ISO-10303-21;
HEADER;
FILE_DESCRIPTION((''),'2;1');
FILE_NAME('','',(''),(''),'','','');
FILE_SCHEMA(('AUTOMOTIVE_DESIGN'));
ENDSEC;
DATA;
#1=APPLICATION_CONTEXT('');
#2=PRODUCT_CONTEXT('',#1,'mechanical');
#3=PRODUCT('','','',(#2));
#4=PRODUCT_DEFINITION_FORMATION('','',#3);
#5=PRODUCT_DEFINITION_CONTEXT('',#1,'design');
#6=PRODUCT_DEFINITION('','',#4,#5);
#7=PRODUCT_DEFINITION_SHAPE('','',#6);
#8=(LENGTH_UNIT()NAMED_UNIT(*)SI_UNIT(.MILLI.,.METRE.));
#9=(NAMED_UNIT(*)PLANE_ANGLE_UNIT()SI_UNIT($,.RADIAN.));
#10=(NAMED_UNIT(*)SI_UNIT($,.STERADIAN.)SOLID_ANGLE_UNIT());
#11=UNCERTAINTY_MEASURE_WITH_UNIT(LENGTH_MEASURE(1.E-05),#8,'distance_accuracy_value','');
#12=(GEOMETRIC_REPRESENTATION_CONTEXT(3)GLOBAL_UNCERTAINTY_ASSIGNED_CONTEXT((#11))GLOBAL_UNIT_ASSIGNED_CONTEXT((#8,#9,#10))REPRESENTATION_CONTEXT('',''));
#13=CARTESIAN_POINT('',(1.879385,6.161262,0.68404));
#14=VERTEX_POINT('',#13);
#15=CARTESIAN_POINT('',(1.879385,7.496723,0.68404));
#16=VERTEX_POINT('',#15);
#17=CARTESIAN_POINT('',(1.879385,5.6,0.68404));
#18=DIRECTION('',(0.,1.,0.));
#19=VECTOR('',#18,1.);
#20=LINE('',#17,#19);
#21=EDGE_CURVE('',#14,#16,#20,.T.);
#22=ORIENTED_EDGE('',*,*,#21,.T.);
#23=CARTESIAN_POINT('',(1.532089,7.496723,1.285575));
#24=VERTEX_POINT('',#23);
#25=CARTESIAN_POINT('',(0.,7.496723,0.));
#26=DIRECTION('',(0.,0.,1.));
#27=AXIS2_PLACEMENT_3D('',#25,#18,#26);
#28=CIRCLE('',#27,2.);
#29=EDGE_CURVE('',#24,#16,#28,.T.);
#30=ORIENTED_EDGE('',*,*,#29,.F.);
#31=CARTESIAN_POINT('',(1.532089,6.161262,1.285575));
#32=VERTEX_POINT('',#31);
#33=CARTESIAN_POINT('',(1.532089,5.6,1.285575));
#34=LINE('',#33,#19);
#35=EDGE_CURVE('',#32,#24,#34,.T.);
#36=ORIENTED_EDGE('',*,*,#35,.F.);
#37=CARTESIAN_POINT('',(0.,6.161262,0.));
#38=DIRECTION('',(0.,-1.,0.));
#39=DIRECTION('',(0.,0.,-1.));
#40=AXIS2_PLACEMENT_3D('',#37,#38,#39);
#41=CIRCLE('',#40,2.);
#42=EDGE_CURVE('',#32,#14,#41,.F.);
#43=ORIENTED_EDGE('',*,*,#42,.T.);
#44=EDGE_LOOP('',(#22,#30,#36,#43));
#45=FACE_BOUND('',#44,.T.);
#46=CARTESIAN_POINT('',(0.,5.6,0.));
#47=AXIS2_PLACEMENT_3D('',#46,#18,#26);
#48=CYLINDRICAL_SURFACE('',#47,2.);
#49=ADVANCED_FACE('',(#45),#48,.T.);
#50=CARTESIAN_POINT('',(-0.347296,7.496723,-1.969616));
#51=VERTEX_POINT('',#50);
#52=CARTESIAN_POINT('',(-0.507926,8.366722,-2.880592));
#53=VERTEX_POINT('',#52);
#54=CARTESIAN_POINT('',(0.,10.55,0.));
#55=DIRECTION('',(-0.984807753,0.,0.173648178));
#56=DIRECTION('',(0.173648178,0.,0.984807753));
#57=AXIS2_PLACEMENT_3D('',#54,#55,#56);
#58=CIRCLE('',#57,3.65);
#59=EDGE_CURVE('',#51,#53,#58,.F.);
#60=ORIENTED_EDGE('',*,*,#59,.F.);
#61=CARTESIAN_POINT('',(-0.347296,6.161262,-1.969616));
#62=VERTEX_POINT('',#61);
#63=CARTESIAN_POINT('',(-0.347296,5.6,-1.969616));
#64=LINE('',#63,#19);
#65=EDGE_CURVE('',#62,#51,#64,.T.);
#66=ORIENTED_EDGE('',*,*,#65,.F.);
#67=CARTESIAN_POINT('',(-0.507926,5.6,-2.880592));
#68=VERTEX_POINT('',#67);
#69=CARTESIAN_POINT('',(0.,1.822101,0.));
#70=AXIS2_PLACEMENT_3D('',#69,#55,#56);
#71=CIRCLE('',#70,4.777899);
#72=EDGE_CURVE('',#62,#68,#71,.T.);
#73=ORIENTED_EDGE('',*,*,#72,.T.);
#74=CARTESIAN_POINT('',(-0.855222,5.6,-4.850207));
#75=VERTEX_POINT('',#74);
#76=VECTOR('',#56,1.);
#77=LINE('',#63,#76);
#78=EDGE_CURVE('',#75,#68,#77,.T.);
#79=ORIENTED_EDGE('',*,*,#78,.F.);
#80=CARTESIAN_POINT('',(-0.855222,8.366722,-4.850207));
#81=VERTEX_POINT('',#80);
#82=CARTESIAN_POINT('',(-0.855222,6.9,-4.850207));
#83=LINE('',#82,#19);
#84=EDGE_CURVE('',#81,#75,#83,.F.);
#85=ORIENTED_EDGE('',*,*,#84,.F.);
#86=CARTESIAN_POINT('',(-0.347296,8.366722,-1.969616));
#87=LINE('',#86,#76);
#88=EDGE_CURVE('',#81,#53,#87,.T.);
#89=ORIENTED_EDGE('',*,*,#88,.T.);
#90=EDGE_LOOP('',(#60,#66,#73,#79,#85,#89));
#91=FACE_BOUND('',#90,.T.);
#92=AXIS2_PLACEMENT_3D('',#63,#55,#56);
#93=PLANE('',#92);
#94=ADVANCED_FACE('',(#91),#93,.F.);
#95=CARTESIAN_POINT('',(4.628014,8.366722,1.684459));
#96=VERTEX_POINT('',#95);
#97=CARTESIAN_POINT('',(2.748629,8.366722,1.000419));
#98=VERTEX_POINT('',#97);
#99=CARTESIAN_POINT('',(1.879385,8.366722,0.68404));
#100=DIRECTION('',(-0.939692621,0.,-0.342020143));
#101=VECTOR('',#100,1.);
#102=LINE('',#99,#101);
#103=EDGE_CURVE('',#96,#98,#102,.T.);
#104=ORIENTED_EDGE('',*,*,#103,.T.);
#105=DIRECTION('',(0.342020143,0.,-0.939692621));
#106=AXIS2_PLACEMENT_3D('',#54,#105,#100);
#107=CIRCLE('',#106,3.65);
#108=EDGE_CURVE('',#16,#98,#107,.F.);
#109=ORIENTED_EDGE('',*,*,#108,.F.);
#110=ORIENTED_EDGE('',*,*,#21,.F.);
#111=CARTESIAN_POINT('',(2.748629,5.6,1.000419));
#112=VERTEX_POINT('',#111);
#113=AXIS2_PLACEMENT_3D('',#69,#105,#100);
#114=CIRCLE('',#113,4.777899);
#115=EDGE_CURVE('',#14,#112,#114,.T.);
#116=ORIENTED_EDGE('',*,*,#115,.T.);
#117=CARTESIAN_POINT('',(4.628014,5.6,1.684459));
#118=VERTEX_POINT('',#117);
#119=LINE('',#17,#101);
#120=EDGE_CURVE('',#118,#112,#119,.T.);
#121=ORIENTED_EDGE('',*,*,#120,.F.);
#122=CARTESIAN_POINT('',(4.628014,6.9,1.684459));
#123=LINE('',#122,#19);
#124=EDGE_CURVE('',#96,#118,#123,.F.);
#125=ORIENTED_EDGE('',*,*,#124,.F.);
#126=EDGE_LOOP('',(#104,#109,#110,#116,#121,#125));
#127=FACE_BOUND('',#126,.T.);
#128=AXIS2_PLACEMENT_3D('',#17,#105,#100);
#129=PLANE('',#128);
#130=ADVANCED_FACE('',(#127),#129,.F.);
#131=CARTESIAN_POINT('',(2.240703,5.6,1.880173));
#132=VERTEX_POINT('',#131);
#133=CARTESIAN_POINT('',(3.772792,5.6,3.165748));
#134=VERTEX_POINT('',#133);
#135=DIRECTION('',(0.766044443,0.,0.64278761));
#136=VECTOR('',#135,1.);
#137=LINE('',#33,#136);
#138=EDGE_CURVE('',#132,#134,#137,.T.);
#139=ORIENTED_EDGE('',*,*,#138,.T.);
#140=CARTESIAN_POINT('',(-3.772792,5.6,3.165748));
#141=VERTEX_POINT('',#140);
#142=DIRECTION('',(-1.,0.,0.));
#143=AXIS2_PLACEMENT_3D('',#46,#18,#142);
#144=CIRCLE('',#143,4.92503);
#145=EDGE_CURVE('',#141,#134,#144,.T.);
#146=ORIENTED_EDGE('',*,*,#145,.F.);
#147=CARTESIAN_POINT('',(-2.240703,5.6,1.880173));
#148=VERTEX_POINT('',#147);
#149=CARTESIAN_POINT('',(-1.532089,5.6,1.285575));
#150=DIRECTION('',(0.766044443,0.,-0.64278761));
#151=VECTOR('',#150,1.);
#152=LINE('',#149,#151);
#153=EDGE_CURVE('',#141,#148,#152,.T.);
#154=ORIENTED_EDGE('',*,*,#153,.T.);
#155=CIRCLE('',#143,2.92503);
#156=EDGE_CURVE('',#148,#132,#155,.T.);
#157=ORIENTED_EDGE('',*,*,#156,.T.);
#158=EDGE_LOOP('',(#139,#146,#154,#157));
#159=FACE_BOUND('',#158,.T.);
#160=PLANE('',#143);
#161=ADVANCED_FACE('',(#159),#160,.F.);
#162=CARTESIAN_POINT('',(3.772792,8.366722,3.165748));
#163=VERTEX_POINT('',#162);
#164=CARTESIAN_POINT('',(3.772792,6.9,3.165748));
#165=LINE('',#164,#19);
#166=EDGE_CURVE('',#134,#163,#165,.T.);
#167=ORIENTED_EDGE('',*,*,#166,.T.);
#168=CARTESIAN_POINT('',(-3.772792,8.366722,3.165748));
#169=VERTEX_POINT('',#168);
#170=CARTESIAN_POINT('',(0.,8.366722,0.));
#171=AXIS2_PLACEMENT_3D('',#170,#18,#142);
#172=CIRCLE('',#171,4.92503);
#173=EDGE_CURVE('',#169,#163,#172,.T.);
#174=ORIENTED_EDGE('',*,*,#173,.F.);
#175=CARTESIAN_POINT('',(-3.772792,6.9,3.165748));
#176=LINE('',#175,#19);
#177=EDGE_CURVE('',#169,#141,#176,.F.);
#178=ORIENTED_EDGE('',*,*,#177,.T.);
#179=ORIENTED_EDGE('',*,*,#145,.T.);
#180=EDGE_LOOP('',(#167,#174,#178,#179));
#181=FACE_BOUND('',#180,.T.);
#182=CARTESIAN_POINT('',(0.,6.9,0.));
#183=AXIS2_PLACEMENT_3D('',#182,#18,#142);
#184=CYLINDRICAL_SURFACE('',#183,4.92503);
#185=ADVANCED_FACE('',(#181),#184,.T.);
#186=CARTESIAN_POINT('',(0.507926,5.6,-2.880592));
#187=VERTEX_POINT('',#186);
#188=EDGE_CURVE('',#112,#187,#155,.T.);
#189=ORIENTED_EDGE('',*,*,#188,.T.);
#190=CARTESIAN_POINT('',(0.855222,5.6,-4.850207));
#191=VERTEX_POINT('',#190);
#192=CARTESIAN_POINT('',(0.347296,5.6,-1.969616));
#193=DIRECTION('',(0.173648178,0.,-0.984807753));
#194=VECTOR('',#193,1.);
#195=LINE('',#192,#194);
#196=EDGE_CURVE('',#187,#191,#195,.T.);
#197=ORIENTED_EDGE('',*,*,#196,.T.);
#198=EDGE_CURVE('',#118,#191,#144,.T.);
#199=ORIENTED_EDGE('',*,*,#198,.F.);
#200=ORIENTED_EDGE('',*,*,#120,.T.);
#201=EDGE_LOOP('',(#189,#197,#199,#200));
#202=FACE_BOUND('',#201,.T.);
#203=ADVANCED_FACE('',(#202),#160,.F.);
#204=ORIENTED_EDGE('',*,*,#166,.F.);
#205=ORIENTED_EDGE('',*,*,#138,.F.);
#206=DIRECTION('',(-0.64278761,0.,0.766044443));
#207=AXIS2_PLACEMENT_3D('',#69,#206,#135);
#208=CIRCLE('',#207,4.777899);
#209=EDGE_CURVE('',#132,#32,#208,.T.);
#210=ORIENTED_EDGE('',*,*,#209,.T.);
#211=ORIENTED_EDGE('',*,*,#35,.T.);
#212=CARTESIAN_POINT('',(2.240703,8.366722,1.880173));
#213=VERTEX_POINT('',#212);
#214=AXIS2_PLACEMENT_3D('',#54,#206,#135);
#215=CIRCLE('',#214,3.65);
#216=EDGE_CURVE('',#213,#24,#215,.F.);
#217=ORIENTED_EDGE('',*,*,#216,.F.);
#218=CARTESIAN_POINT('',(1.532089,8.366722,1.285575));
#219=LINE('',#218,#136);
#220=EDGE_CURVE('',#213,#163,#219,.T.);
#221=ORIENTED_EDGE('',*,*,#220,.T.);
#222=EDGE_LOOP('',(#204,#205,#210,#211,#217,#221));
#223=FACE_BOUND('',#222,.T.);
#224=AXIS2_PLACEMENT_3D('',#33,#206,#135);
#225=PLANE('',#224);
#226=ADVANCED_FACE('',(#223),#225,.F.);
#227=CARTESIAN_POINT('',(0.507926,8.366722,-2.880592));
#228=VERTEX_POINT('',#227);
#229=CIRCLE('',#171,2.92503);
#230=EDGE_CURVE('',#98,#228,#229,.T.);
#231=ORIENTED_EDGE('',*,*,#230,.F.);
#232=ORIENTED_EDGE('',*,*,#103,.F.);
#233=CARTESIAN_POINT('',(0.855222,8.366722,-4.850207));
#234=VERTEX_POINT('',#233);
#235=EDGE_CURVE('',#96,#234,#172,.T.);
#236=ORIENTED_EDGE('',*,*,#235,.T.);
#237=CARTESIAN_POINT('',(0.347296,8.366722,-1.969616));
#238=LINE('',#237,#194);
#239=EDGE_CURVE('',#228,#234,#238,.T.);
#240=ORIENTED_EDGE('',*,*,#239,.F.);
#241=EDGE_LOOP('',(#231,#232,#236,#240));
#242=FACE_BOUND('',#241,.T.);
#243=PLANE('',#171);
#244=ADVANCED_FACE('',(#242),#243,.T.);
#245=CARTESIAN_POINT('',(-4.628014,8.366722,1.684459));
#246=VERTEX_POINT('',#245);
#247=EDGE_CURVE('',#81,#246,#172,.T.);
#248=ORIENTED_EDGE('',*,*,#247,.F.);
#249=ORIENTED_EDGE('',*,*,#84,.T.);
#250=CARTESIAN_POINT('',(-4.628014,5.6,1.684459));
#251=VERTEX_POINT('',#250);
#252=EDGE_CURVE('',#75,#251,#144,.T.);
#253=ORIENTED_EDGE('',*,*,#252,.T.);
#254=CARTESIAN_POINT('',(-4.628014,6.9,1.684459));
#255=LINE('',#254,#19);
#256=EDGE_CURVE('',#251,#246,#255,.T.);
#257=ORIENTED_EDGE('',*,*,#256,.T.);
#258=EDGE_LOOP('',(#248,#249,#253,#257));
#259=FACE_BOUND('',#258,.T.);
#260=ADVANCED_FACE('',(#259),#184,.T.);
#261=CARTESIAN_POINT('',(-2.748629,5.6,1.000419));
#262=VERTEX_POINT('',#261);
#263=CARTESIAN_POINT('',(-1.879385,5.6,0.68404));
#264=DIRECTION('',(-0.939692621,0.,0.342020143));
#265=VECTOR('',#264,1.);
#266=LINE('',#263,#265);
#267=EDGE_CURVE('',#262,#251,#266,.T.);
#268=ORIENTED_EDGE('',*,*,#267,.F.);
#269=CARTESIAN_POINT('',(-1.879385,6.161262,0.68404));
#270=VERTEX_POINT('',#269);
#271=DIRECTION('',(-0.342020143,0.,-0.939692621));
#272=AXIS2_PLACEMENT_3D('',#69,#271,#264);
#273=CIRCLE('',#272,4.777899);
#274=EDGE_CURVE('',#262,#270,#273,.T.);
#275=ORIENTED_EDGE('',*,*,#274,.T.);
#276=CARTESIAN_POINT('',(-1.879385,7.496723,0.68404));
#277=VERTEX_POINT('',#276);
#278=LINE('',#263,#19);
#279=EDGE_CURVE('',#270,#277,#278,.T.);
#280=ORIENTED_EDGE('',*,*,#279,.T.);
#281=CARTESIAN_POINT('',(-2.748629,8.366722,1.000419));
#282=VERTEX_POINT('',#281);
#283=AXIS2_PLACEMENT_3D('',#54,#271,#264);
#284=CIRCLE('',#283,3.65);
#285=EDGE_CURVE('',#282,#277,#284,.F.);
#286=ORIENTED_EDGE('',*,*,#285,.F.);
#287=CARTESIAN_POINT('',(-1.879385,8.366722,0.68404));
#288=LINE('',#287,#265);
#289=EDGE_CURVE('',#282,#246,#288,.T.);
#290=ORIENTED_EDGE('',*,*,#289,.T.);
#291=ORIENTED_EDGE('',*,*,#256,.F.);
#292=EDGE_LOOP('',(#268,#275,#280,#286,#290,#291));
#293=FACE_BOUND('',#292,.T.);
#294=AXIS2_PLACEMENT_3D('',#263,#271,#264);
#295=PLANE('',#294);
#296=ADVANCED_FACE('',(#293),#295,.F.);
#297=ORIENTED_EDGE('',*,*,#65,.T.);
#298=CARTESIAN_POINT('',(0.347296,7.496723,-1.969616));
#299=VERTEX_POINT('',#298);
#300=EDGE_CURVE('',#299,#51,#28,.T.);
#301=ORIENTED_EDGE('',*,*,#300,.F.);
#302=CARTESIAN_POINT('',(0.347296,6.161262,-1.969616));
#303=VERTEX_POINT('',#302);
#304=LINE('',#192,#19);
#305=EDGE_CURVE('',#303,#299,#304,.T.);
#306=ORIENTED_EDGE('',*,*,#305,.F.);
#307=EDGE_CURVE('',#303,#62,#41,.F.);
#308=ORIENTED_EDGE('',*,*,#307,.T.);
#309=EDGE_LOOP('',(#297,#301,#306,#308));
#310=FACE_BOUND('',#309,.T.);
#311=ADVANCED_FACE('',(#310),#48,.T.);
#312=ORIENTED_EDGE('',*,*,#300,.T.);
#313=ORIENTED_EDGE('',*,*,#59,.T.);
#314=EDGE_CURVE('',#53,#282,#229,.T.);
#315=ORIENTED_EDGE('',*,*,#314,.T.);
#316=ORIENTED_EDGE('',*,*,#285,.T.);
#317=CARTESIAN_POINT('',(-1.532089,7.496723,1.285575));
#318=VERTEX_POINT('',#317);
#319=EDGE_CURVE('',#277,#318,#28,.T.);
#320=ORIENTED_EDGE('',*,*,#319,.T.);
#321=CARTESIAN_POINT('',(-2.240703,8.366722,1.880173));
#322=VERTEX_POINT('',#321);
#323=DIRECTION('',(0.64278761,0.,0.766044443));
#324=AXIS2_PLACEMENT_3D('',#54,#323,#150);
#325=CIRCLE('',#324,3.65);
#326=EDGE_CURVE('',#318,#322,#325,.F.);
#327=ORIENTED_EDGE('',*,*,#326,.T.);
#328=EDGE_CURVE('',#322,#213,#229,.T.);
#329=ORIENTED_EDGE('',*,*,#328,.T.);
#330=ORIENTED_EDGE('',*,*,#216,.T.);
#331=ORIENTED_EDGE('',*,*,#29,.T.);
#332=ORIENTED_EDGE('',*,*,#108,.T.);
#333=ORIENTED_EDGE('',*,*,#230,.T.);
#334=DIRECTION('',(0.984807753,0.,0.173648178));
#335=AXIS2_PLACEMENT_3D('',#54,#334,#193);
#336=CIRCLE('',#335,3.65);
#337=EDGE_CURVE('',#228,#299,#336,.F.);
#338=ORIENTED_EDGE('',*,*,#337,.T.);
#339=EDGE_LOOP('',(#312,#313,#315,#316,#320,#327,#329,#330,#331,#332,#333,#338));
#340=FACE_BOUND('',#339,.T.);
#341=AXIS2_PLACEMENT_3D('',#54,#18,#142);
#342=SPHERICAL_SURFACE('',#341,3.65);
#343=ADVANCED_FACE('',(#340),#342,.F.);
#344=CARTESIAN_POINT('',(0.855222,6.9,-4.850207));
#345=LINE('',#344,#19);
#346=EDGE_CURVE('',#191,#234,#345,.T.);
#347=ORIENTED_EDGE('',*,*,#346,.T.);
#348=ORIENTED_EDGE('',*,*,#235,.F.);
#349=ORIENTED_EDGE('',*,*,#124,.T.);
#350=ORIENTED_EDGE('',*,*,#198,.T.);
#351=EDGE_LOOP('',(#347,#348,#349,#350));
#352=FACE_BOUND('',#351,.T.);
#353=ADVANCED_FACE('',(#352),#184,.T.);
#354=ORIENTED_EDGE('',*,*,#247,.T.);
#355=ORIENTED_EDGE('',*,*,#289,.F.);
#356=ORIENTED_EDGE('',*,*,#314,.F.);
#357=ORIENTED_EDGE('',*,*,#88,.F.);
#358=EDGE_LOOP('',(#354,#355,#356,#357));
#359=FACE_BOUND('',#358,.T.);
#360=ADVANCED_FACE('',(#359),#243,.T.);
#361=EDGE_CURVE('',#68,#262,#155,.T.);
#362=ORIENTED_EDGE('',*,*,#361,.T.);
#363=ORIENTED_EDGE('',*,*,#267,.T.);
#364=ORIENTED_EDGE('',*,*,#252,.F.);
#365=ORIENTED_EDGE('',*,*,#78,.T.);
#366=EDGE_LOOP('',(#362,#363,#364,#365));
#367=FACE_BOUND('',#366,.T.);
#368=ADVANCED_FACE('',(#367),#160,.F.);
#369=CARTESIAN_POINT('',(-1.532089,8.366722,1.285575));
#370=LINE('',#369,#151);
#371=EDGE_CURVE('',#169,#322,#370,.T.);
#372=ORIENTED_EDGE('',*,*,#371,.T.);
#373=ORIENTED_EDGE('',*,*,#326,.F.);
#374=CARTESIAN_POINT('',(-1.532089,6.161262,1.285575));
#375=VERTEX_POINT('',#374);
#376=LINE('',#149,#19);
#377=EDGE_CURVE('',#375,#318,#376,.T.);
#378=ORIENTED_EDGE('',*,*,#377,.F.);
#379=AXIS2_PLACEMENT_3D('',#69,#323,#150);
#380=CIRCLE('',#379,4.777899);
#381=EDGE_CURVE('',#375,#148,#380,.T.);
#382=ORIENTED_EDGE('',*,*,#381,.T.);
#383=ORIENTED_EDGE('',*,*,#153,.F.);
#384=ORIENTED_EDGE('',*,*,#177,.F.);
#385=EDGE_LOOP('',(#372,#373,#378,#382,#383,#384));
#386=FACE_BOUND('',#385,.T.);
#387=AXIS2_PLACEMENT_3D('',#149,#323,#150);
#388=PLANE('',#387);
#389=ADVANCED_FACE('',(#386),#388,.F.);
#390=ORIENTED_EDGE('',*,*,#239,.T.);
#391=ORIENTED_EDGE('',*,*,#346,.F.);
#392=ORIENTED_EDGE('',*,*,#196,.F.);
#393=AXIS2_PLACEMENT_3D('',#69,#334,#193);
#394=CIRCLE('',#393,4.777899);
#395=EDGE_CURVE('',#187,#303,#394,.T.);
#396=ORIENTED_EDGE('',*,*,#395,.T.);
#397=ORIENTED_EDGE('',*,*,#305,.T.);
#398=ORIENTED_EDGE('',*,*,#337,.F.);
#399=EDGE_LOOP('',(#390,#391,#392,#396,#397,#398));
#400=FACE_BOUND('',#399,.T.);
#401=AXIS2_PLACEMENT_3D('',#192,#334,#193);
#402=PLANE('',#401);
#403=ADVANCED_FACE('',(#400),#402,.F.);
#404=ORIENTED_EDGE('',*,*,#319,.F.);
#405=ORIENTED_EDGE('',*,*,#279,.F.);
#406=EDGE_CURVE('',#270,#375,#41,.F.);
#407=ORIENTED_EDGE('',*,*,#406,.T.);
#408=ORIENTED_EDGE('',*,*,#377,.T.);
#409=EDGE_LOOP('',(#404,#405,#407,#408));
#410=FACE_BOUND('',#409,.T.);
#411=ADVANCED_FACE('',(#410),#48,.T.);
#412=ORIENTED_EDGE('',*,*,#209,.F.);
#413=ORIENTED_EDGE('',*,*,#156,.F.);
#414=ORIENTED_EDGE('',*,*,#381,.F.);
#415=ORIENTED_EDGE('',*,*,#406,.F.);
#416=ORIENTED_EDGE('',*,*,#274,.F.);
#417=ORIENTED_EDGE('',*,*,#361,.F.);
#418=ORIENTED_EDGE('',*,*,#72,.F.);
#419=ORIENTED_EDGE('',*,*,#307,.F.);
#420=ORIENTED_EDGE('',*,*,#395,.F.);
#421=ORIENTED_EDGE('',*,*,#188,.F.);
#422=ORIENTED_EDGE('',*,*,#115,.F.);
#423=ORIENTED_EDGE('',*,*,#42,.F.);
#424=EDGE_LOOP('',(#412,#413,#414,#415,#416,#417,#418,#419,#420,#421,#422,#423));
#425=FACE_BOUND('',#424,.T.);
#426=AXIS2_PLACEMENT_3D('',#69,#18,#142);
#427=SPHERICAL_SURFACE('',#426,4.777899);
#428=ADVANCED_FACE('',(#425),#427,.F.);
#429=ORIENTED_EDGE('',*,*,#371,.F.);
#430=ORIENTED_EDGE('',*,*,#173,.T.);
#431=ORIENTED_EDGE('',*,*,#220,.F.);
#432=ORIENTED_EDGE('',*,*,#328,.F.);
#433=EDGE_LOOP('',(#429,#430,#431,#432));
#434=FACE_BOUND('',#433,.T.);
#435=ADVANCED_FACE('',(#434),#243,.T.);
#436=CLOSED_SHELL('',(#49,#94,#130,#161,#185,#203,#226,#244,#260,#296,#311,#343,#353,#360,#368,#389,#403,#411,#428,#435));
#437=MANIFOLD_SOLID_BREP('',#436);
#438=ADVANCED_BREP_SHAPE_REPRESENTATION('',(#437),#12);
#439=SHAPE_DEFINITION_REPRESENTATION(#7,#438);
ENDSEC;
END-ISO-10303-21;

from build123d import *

# Parameters (mm, degrees)
CUT_EXTRUDE_1_DEPTH = 8.494436886


with BuildPart() as part:
    # 草图1 → 旋转2 (revolve)
    with BuildSketch(Plane.XY):
        with BuildLine():
            Line((-2.925029572, 5.6), (-4.925029572, 5.6))
            Line((-4.925029572, 5.6), (-4.925029572, 8.366722189))
            Line((-4.925029572, 8.366722189), (-2.925029572, 8.366722189))
            ThreePointArc((-2.925029572, 8.366722189), (-1.636083126, 7.287220203), (0, 6.9))
            Line((0, 6.9), (0, 6.6))
            ThreePointArc((0, 6.6), (-1.54562269, 6.343093076), (-2.925029572, 5.6))
        make_face()
    revolve(axis=Axis((0, 6.9, 0), (0, -1, 0)))

    # 草图2 → 切除-拉伸1 (cut, through all)
    with BuildSketch(Plane(origin=(0, 8.366722189, 0), x_dir=(1, 0, 0), z_dir=(0, 1, 0))):
        with BuildLine():
            Line((-0.347296355, 1.969615506), (-1.736481777, 9.84807753))
            ThreePointArc((-1.736481777, 9.84807753), (0, 10), (1.736481777, 9.84807753))
            Line((1.736481777, 9.84807753), (0.347296355, 1.969615506))
            ThreePointArc((0.347296355, 1.969615506), (0, 2), (-0.347296355, 1.969615506))
        make_face()
        with BuildLine():
            Line((1.879385242, -0.684040287), (9.396926208, -3.420201433))
            ThreePointArc((9.396926208, -3.420201433), (8.660254038, -5), (7.660444431, -6.427876097))
            Line((7.660444431, -6.427876097), (1.532088886, -1.285575219))
            ThreePointArc((1.532088886, -1.285575219), (1.732050808, -1), (1.879385242, -0.684040287))
        make_face()
        with BuildLine():
            Line((-1.532088886, -1.285575219), (-7.660444431, -6.427876097))
            ThreePointArc((-7.660444431, -6.427876097), (-8.660254038, -5), (-9.396926208, -3.420201433))
            Line((-9.396926208, -3.420201433), (-1.879385242, -0.684040287))
            ThreePointArc((-1.879385242, -0.684040287), (-1.732050808, -1), (-1.532088886, -1.285575219))
        make_face()
    extrude(amount=-CUT_EXTRUDE_1_DEPTH, mode=Mode.SUBTRACT)


solid = part.part
